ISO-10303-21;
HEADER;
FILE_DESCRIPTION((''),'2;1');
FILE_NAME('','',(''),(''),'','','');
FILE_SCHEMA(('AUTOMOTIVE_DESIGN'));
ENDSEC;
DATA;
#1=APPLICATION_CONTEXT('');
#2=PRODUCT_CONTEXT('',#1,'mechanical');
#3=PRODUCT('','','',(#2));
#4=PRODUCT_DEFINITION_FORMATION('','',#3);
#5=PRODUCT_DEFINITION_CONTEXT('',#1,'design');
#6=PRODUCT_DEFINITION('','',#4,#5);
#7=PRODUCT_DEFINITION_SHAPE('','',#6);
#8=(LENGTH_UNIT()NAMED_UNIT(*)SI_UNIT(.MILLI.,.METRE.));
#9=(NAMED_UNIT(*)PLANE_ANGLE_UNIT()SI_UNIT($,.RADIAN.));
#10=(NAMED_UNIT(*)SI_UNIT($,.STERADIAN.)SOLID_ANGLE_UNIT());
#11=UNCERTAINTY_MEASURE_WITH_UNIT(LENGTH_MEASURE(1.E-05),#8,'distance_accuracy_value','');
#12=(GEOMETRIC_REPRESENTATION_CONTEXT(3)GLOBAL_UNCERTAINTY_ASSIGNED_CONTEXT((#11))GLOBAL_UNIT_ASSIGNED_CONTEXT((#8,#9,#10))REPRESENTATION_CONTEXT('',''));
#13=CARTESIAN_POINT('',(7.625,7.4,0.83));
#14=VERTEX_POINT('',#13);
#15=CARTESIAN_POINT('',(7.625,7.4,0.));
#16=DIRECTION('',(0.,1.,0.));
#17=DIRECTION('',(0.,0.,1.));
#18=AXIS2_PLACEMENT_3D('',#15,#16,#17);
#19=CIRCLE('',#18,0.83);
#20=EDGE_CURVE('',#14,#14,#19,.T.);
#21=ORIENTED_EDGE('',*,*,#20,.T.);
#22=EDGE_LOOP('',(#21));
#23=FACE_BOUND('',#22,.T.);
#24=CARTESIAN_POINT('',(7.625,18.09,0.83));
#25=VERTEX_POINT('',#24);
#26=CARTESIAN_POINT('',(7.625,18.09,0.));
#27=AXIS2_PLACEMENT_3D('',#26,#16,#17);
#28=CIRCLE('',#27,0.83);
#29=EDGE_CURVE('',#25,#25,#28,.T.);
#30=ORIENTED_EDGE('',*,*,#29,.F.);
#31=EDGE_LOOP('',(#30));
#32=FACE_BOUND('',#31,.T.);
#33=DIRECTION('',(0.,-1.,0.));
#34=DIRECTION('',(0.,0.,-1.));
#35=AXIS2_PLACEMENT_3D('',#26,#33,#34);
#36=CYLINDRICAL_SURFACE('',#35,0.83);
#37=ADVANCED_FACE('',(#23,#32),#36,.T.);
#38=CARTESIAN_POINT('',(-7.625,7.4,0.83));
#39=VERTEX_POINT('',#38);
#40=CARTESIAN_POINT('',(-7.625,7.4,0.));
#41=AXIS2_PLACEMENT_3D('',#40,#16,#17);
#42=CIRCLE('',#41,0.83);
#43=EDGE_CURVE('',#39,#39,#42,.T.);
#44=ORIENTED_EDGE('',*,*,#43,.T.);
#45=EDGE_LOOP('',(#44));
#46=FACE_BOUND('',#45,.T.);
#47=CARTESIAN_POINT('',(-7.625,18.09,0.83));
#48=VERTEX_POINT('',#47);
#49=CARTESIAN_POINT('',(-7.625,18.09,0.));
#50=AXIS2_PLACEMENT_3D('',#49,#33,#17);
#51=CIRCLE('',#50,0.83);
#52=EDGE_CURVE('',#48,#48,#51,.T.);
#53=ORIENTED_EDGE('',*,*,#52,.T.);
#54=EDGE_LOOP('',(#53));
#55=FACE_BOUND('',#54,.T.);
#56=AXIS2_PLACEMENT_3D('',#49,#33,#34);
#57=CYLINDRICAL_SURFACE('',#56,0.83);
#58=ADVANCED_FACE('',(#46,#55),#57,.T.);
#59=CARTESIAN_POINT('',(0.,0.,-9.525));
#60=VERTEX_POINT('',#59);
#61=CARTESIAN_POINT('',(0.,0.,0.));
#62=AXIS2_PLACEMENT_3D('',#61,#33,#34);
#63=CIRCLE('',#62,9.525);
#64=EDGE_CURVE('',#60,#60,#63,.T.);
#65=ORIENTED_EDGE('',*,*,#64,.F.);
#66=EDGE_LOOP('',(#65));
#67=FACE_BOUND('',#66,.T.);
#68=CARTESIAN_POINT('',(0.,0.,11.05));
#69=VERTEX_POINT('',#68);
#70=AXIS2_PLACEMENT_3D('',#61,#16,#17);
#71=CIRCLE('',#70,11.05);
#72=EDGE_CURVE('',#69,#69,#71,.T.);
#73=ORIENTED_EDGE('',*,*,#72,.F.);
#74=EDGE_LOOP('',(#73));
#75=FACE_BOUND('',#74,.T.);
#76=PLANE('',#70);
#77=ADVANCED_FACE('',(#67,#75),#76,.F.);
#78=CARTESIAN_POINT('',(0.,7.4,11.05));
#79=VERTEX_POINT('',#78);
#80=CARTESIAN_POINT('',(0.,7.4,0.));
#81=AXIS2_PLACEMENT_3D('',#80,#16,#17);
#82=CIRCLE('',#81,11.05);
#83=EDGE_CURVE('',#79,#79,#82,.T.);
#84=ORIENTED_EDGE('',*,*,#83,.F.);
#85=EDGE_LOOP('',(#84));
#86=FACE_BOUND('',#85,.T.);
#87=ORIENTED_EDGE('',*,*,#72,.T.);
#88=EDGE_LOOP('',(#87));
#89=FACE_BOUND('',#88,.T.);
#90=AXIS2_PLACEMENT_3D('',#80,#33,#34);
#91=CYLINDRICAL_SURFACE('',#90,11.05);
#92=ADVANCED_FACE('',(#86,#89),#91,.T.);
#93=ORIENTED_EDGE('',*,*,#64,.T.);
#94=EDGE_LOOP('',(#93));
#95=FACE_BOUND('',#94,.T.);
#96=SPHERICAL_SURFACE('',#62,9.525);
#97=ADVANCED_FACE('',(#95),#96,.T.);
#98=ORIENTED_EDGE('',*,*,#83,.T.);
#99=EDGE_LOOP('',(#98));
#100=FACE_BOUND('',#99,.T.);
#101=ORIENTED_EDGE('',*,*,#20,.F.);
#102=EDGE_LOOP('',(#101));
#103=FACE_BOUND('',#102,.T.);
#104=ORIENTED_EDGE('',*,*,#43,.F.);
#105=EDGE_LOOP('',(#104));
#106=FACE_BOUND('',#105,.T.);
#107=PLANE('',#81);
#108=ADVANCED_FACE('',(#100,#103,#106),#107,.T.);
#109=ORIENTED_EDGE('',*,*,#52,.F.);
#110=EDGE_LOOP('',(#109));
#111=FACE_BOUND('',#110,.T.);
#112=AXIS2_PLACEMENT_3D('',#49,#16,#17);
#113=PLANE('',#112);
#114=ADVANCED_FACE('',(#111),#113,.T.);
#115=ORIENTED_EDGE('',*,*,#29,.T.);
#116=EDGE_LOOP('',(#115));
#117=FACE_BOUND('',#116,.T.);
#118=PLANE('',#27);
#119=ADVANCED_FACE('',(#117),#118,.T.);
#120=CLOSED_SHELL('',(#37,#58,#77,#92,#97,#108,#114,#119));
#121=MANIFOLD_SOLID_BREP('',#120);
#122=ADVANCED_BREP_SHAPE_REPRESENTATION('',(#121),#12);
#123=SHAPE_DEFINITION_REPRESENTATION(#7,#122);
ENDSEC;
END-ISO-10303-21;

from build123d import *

# Parameters (mm, degrees)
SKETCH1_R           = 11.05
BOSS_EXTRUDE1_DEPTH = 7.4
SKETCH3_R           = 0.83
BOSS_EXTRUDE2_DEPTH = 10.69


with BuildPart() as part:
    # Sketch1 → Boss-Extrude1 (new body)
    with BuildSketch(Plane(origin=(0, 0, 0), x_dir=(1, 0, 0), z_dir=(0, 1, 0))):
        with Locations(Location((0, 0, 0), (0, 0, 270))):
            Circle(SKETCH1_R)
    extrude(amount=BOSS_EXTRUDE1_DEPTH)

    # Sketch2 → Revolve1 (revolve)
    with BuildSketch(Plane(origin=(0, 0, 0), x_dir=(0, 0, -1), z_dir=(1, 0, 0))):
        with BuildLine():
            Line((0, 0), (0, -9.525))
            ThreePointArc((0, -9.525), (6.735192091, -6.735192091), (9.525, 0))
            Line((9.525, 0), (0, 0))
        make_face()
    revolve(axis=Axis((0, 0, 0), (0, 1, 0)))

    # Sketch3 → Boss-Extrude2 (add)
    with BuildSketch(Plane(origin=(0, 7.4, 0), x_dir=(1, 0, 0), z_dir=(0, 1, 0))):
        with Locations(Location((7.625, 0, 0), (0, 0, 270))):
            Circle(SKETCH3_R)
    boss_extrude2 = extrude(amount=BOSS_EXTRUDE2_DEPTH)

    # Mirror1: Boss-Extrude2 across plane
    add(boss_extrude2.mirror(Plane(origin=(0, 0, 0), x_dir=(0, 0, 1), z_dir=(1, 0, 0))))


solid = part.part
